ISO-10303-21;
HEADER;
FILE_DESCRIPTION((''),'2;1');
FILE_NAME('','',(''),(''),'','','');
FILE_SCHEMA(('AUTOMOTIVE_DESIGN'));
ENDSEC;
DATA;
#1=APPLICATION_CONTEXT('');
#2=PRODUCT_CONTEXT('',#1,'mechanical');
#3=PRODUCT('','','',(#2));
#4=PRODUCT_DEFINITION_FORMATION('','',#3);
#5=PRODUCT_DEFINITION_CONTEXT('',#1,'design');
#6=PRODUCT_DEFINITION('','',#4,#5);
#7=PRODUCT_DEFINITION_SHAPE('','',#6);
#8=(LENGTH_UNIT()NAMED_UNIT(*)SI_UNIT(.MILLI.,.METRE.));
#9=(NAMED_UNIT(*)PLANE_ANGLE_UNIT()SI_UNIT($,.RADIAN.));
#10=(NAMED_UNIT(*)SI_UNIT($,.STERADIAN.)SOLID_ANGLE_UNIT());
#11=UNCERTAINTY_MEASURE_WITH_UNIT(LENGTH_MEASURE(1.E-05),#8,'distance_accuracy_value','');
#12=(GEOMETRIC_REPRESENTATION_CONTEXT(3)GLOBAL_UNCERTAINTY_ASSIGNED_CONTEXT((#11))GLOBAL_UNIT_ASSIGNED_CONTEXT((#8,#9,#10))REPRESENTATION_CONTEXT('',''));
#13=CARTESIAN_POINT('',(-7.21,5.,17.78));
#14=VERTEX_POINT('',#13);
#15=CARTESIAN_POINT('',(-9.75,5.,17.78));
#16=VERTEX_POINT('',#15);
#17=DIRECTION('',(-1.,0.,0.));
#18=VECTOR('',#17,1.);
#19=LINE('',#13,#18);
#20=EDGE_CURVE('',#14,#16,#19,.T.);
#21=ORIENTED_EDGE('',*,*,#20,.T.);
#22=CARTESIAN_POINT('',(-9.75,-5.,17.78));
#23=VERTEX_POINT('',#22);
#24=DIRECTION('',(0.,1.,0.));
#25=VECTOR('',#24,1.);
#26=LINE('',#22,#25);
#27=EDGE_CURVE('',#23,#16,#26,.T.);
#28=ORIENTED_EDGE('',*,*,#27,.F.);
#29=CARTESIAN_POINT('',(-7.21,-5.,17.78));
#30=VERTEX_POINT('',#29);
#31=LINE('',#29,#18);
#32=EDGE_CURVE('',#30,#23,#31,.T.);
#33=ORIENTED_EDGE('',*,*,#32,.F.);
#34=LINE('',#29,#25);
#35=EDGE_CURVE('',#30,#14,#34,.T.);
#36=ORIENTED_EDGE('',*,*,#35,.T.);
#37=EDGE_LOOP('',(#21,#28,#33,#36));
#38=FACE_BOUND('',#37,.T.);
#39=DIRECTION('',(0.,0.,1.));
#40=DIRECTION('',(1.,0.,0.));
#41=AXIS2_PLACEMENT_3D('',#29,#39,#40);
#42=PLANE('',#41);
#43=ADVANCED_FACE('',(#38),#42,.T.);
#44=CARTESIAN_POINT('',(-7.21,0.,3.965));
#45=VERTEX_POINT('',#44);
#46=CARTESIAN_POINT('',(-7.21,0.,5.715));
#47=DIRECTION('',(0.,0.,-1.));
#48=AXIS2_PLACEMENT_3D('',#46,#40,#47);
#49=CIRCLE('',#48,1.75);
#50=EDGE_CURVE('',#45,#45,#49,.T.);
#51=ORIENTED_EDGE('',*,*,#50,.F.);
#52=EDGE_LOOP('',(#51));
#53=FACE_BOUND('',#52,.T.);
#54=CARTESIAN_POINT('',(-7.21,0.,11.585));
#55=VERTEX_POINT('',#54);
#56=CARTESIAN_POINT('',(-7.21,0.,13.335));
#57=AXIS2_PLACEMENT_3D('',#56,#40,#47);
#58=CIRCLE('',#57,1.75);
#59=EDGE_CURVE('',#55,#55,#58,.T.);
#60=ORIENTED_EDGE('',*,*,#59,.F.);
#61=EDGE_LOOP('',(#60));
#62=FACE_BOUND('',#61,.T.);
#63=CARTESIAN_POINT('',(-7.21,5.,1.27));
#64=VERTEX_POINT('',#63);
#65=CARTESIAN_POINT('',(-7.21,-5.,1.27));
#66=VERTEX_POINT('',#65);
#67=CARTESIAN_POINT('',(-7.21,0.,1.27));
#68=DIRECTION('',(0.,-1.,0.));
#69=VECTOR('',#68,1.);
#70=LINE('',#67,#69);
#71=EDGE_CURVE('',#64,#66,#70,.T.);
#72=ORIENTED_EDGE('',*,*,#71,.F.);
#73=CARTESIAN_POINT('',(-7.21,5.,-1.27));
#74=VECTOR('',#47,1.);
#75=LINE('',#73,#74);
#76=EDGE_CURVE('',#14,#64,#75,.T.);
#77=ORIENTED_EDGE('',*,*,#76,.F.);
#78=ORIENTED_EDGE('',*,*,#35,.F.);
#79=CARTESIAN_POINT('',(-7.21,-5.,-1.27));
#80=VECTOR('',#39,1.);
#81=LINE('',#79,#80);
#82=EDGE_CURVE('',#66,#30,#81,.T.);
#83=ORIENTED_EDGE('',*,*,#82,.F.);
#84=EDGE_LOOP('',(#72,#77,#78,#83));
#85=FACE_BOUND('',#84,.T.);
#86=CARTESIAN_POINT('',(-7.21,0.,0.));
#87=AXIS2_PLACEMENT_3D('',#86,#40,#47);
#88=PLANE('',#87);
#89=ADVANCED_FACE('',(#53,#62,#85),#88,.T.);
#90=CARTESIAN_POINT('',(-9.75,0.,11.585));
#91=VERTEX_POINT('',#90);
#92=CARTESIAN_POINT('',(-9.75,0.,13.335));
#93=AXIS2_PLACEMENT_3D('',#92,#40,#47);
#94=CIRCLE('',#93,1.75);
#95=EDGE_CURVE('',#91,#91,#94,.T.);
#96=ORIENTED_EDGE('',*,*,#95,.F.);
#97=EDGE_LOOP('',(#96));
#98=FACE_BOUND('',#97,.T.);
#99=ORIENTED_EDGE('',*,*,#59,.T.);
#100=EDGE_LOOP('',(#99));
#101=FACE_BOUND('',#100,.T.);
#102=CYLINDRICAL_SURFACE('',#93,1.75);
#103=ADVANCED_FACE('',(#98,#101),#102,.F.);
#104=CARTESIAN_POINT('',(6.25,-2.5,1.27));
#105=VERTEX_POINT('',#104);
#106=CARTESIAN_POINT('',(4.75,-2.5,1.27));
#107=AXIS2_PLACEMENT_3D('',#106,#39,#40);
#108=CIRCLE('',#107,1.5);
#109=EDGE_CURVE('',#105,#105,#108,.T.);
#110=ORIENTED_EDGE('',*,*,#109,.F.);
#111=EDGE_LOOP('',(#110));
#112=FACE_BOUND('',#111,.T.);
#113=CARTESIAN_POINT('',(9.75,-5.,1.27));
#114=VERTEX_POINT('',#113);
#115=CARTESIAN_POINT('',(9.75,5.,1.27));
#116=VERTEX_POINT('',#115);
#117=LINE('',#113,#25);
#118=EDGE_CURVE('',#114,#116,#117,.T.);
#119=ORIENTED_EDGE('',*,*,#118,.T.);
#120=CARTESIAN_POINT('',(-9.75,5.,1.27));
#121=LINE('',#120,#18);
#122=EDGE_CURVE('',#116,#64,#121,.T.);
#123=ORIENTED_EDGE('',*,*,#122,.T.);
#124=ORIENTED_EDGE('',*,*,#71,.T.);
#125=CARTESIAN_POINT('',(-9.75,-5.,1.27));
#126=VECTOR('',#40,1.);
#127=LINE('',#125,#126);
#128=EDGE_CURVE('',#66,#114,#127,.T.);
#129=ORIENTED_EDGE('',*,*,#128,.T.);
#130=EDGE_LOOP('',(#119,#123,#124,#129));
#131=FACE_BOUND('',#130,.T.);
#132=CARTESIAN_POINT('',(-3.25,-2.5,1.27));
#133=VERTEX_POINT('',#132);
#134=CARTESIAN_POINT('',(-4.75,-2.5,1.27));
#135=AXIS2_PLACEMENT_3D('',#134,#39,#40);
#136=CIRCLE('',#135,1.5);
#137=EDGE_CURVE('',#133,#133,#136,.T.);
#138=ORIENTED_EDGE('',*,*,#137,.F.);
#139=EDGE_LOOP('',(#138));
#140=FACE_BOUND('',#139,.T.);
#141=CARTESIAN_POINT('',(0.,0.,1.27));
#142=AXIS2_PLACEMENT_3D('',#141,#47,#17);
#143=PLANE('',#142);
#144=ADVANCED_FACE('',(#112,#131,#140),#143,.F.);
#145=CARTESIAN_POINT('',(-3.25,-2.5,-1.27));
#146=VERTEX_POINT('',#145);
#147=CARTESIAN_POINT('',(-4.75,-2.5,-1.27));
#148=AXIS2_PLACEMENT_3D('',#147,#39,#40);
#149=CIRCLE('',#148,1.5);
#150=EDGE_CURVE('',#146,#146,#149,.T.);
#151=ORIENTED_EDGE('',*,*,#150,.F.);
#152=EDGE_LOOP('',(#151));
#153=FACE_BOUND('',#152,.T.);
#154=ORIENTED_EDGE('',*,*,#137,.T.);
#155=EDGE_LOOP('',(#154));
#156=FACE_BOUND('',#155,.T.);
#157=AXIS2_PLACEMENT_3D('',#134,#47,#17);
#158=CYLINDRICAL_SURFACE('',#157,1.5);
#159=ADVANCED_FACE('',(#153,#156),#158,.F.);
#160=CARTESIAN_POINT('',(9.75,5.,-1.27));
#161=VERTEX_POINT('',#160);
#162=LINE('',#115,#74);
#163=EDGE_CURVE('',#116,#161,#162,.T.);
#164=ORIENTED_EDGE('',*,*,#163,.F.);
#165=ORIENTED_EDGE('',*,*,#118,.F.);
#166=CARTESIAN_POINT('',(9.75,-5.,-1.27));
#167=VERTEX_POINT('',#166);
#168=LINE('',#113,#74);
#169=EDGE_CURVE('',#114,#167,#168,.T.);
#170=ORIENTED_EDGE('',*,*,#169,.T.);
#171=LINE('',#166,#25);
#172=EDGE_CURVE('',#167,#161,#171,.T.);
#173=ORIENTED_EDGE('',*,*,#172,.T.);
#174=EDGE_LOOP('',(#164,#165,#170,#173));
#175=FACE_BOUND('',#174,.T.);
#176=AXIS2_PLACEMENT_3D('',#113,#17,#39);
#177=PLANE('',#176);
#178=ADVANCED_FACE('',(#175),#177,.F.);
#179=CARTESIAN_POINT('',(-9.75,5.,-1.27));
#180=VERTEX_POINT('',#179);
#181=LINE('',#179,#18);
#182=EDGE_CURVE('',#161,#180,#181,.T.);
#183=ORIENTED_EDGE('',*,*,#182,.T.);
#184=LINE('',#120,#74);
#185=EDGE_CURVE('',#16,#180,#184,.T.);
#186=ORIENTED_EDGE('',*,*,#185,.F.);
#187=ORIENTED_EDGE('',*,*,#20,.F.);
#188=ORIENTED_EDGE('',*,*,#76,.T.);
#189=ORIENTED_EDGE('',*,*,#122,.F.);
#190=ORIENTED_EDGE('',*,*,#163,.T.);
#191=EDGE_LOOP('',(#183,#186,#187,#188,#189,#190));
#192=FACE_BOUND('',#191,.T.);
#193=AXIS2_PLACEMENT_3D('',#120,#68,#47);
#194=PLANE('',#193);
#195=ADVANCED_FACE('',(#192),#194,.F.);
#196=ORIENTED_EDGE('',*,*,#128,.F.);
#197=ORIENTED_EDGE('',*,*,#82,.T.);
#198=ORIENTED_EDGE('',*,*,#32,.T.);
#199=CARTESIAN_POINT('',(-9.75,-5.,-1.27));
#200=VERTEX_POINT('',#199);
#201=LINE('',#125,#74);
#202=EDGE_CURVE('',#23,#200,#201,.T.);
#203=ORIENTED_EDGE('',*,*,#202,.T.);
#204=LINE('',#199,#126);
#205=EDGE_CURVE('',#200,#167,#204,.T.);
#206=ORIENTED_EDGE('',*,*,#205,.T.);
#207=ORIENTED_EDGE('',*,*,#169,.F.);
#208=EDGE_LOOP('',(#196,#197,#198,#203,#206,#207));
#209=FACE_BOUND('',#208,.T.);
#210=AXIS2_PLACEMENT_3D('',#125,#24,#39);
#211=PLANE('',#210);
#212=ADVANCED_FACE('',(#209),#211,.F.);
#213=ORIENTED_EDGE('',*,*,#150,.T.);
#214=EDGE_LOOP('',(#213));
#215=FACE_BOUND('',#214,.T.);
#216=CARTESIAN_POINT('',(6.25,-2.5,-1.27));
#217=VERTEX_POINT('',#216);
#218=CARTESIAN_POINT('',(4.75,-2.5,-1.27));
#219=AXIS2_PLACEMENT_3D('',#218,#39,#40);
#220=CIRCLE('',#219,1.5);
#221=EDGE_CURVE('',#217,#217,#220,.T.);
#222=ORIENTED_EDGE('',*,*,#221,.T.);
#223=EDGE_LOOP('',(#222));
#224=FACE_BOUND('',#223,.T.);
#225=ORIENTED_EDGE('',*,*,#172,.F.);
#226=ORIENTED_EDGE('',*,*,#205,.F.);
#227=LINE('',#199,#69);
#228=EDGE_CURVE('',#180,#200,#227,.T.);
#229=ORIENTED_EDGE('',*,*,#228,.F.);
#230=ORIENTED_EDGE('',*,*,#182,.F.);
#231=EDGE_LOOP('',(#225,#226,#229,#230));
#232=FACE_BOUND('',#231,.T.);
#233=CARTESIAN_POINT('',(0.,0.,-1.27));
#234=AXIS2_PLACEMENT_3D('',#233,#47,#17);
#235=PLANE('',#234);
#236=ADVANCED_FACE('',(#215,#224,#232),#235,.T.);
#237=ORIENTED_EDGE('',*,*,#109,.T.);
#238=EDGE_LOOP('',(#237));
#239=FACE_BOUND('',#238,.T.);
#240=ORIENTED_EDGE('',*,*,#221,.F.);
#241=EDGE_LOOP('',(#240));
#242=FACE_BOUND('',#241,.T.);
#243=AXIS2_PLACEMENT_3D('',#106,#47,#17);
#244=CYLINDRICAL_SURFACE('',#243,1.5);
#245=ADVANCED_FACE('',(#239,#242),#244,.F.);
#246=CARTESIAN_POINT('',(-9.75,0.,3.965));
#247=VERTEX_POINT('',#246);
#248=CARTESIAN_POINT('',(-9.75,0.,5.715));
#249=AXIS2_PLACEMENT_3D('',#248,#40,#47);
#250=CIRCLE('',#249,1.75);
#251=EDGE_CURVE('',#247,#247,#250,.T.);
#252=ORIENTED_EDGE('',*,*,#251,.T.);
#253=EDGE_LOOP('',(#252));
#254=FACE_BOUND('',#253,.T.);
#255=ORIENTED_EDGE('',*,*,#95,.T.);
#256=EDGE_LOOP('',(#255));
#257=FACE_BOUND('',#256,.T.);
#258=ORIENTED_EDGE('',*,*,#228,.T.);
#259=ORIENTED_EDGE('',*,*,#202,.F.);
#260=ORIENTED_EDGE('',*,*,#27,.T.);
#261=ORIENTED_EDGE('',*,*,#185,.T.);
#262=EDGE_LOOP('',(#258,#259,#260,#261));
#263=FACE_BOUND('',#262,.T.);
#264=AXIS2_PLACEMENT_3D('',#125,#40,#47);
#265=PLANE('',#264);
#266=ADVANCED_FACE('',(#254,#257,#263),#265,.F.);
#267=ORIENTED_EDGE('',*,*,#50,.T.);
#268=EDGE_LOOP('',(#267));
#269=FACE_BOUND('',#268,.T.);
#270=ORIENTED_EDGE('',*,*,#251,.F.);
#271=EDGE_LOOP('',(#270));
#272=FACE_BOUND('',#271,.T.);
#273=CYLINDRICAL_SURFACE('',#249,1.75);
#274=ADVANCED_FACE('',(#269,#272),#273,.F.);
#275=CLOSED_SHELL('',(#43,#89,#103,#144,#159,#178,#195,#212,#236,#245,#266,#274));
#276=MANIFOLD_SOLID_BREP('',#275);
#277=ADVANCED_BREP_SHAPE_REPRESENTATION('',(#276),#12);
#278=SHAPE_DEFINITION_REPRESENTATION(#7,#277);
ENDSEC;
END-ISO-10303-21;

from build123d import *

# Parameters (mm, degrees)
SKETCH2_W           = 19.5
SKETCH2_H           = 10
SKETCH2_R           = 1.5
BOSS_EXTRUDE1_DEPTH = 1.27
SKETCH3_W           = 19.05
SKETCH3_H           = 10
BOSS_EXTRUDE2_DEPTH = 2.54
SKETCH4_R           = 1.75
CUT_EXTRUDE1_DEPTH  = 26.075286638


with BuildPart() as part:
    # Sketch2 → Boss-Extrude1 (new, symmetric)
    with BuildSketch(Plane.XY):
        Rectangle(SKETCH2_W, SKETCH2_H)
        with Locations((-4.75, -2.5)):
            Circle(SKETCH2_R, mode=Mode.SUBTRACT)
        with Locations((4.75, -2.5)):
            Circle(SKETCH2_R, mode=Mode.SUBTRACT)
    extrude(amount=BOSS_EXTRUDE1_DEPTH, both=True)

    # Sketch3 → Boss-Extrude2 (add)
    with BuildSketch(Plane.ZY.offset(9.75)):
        with Locations((8.255, 0)):
            Rectangle(SKETCH3_W, SKETCH3_H)
    extrude(amount=-BOSS_EXTRUDE2_DEPTH)

    # Sketch4 → Cut-Extrude1 (cut, through all)
    with BuildSketch(Plane(origin=(-7.21, 0, 0), x_dir=(0, 0, -1), z_dir=(1, 0, 0))):
        with Locations((-5.715, 0)):
            Circle(SKETCH4_R)
        with Locations((-13.335, 0)):
            Circle(SKETCH4_R)
    extrude(amount=-CUT_EXTRUDE1_DEPTH, mode=Mode.SUBTRACT)


solid = part.part
